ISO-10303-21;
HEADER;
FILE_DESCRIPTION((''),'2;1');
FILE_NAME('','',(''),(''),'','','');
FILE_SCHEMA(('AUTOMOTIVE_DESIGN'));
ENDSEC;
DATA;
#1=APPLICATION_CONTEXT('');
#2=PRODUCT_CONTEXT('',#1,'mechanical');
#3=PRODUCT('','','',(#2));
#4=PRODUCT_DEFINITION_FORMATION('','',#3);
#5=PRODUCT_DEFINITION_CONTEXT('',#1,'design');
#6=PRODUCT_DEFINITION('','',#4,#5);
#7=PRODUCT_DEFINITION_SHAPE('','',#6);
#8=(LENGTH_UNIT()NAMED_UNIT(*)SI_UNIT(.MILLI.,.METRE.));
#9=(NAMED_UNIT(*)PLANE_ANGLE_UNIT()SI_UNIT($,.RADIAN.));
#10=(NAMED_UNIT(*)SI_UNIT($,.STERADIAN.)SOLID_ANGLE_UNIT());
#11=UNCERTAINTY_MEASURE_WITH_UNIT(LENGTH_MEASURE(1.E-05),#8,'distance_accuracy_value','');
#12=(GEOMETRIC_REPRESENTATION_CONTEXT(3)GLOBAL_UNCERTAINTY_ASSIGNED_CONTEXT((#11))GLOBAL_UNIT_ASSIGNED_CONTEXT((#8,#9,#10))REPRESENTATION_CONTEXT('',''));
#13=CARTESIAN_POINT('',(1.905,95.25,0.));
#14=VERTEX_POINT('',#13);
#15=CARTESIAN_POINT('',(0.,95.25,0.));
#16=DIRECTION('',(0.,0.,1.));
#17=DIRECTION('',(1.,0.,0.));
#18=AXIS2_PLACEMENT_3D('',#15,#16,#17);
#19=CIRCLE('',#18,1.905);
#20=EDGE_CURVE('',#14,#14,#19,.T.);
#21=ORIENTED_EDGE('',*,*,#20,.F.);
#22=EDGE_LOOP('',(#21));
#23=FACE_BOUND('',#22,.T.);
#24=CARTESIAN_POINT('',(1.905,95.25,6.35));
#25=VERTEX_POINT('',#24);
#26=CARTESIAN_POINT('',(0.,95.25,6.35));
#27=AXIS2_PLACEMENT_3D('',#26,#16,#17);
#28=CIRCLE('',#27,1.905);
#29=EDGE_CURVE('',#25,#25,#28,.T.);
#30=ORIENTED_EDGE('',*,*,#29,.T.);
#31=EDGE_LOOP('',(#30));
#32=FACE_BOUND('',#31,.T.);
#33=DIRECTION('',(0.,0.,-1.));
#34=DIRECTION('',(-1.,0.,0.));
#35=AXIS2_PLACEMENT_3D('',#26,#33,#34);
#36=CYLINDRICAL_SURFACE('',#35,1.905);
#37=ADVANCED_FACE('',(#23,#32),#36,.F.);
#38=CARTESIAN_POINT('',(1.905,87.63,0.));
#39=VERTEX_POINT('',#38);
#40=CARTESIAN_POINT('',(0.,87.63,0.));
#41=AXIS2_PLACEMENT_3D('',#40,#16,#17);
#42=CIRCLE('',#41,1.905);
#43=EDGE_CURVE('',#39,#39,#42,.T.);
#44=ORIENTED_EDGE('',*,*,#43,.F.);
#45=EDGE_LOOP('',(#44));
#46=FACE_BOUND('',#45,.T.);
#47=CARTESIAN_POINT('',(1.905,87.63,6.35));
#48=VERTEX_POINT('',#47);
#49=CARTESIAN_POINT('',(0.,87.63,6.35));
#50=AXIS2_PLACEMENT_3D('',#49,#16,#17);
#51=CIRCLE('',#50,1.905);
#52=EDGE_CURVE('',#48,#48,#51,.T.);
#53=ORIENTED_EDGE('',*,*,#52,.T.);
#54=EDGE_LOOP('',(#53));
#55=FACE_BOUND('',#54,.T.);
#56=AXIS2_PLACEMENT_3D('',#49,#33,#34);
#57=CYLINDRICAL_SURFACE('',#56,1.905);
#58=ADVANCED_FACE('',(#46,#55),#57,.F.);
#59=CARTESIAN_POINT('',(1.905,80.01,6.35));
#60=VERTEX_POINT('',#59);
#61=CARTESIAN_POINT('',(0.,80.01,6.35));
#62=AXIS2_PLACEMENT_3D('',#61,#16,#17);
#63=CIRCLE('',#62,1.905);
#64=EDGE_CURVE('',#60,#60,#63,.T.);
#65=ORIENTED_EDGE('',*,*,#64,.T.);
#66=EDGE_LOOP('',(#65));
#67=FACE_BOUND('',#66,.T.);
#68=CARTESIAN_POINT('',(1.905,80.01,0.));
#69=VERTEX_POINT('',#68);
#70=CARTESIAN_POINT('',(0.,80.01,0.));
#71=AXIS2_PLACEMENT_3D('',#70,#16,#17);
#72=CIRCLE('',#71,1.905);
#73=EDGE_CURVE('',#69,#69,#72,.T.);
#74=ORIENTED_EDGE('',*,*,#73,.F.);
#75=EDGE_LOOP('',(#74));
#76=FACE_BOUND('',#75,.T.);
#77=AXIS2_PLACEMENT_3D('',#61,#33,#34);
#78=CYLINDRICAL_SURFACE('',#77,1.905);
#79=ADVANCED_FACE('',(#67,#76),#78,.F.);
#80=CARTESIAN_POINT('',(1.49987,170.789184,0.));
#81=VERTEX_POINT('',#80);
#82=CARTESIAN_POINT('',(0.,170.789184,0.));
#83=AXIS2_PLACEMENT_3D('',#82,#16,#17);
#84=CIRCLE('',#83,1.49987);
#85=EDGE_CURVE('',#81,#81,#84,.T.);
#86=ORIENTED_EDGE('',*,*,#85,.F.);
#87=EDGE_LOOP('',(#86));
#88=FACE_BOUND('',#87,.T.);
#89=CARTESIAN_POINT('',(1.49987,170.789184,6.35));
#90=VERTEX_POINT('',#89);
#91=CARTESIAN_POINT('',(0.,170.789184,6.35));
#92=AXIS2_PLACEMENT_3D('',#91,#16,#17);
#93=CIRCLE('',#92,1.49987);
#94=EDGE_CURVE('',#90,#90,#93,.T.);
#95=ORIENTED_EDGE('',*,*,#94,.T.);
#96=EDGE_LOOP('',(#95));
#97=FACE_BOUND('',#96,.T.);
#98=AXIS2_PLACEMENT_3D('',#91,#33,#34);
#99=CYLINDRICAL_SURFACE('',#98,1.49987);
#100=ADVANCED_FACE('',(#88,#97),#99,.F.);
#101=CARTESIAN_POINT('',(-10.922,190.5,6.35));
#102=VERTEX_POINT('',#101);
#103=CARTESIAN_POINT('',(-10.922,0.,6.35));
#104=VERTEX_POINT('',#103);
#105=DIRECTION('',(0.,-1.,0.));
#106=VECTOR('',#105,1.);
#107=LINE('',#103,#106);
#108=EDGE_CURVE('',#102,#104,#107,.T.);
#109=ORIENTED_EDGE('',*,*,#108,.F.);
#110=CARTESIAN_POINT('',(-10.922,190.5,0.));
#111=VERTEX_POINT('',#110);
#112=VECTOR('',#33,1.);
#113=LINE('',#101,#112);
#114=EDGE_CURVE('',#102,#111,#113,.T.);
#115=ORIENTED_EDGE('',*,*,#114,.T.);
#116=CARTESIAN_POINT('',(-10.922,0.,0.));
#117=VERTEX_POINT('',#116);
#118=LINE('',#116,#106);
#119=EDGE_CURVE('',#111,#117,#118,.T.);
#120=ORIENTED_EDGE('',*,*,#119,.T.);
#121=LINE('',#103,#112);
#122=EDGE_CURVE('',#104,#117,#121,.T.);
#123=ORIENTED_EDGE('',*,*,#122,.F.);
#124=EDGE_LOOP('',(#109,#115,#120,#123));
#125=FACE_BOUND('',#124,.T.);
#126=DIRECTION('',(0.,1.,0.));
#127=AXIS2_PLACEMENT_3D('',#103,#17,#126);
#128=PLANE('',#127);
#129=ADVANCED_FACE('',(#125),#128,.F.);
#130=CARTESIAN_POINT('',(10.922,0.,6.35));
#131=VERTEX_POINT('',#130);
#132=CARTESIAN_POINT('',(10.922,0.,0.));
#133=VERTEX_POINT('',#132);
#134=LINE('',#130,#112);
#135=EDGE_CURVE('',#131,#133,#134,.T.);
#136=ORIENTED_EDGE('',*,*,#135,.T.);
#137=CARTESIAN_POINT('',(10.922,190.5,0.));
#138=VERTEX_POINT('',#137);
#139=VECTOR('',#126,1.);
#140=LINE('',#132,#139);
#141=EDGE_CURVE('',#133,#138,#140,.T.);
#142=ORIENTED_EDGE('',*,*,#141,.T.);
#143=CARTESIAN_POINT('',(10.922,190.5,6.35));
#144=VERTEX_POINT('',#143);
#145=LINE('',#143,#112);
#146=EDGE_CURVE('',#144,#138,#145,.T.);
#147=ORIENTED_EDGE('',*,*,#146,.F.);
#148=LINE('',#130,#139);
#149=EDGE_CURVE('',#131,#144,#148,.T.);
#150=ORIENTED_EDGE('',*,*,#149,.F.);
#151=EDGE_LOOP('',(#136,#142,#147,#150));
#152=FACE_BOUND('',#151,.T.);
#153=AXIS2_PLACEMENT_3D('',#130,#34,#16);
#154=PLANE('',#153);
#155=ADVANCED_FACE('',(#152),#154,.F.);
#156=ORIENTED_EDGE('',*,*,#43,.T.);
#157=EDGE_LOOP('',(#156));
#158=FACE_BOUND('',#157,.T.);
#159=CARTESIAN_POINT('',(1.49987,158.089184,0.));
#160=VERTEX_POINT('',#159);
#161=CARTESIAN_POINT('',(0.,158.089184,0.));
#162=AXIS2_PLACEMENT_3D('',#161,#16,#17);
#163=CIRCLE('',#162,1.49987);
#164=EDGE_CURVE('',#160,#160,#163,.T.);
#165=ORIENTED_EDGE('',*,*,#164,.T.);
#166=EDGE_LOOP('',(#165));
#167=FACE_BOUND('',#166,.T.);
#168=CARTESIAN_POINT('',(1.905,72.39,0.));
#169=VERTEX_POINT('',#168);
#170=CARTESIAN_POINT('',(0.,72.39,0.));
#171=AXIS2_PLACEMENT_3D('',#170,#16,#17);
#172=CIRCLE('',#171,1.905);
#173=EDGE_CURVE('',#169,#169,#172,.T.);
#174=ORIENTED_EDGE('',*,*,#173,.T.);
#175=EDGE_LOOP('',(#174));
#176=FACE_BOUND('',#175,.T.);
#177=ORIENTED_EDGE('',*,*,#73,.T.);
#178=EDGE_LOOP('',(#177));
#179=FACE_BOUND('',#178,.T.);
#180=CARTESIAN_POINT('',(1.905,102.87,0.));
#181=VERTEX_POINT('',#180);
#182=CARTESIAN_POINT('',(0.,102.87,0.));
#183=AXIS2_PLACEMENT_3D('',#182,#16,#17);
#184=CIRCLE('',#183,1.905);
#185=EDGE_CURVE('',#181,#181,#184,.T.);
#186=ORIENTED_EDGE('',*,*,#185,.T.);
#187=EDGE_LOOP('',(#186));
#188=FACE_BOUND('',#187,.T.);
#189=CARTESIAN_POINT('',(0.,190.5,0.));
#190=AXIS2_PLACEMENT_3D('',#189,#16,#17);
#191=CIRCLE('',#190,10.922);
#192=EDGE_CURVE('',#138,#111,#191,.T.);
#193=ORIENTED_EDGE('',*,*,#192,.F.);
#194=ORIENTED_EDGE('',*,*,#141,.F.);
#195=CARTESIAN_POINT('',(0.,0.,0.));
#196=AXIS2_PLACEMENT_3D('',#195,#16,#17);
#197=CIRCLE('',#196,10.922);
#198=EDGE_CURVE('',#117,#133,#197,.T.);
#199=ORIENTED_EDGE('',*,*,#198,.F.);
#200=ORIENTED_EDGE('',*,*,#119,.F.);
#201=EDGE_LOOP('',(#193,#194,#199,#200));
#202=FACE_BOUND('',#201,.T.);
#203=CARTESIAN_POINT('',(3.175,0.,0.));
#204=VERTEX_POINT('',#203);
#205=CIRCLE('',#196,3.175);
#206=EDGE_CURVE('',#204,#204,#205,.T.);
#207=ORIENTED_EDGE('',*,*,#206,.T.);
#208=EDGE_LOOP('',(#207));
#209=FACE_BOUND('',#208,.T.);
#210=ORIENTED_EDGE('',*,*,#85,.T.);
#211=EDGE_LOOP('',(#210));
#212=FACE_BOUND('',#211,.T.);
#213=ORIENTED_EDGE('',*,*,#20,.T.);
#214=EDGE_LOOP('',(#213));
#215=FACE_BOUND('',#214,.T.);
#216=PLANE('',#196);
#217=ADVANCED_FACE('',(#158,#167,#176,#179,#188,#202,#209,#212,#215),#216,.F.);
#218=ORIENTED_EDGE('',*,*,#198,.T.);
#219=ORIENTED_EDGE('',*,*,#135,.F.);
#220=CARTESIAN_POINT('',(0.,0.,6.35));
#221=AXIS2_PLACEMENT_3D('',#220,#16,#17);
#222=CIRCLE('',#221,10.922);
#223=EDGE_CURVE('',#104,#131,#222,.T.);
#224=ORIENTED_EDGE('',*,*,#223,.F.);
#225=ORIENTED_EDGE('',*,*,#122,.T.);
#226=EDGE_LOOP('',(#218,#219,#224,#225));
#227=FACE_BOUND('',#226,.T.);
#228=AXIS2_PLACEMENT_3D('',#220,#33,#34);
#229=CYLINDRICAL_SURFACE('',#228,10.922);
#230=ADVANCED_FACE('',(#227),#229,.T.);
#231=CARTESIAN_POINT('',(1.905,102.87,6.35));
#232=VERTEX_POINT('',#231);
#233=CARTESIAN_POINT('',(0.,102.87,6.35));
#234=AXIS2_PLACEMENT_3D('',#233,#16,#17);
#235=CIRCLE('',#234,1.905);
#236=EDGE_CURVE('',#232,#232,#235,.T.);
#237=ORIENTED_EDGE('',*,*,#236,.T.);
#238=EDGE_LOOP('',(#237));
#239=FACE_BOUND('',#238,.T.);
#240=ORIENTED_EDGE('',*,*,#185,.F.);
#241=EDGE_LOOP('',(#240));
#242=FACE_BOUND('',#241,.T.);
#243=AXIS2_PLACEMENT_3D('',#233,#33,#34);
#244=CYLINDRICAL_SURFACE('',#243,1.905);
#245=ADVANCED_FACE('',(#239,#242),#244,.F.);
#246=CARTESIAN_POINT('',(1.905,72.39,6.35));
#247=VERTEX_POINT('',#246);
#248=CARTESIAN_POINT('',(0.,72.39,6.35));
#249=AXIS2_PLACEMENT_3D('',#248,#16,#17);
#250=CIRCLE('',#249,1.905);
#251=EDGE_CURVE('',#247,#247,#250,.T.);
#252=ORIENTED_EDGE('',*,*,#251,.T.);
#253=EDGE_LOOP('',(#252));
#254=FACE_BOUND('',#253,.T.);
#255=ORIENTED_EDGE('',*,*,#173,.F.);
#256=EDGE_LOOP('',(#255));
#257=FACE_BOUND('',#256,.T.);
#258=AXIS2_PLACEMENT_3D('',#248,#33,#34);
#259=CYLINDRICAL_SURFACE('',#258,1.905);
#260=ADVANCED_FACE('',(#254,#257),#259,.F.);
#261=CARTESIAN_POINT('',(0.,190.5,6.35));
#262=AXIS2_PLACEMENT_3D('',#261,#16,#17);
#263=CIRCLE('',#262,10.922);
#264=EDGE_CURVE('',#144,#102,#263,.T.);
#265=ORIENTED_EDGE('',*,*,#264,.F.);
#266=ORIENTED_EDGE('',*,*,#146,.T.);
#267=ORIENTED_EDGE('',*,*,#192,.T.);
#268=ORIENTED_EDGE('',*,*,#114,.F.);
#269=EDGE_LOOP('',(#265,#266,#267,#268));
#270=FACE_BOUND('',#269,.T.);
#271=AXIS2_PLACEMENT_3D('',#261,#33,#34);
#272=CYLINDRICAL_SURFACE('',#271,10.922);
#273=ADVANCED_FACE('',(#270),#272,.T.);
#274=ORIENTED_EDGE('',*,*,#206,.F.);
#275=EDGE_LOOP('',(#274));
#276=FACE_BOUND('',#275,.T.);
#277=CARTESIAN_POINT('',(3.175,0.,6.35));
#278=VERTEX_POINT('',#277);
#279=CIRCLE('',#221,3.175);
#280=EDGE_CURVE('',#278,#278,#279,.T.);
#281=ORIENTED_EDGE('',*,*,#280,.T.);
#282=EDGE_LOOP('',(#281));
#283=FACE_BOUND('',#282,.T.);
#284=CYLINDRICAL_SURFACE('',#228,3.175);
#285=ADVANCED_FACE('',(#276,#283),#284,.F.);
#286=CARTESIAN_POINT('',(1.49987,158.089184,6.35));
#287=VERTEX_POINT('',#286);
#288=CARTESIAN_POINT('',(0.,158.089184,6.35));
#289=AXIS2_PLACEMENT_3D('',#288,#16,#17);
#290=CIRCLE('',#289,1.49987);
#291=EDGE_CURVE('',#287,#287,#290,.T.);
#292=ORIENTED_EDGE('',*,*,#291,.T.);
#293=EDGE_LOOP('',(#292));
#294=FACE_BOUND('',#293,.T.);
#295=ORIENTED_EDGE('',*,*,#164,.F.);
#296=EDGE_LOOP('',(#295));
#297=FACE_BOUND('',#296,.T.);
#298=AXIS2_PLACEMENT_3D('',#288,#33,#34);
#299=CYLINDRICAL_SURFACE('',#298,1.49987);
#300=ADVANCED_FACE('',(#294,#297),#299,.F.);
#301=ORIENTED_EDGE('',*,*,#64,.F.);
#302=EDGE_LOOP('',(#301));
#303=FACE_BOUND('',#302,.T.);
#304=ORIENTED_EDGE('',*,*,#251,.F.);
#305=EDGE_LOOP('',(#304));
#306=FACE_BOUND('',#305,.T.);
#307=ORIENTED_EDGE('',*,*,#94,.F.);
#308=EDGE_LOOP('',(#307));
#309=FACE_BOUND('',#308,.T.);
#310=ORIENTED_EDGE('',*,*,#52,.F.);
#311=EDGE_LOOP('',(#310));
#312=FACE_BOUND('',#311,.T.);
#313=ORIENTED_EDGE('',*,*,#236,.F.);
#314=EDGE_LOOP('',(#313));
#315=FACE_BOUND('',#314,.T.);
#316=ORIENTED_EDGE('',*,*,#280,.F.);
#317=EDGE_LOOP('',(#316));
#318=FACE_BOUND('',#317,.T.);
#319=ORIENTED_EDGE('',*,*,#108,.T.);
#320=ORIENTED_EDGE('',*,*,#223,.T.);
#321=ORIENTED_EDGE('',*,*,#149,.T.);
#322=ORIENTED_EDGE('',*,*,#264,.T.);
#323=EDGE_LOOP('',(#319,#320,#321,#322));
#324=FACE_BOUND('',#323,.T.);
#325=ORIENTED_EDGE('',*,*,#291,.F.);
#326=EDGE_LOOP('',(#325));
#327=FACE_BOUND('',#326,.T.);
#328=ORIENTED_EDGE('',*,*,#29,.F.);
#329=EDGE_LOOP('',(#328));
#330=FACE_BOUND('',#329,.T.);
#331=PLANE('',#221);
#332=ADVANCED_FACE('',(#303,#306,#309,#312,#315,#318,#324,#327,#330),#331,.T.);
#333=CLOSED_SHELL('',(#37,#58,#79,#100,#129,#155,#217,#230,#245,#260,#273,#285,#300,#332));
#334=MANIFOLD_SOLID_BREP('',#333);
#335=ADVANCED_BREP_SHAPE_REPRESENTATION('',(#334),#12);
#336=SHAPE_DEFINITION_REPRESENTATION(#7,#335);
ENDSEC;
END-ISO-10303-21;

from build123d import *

# Parameters (mm, degrees)
SKETCH1_R           = 3.175
SKETCH1_R_2         = 1.905
SKETCH1_R_3         = 1.49987
BOSS_EXTRUDE1_DEPTH = 6.35


with BuildPart() as part:
    # Sketch1 → Boss-Extrude1 (new body)
    with BuildSketch(Plane.XY):
        with BuildLine():
            Line((-10.922, 0), (-10.922, 190.5))
            ThreePointArc((-10.922, 190.5), (0, 201.422), (10.922, 190.5))
            Line((10.922, 190.5), (10.922, 0))
            ThreePointArc((10.922, 0), (0, -10.922), (-10.922, 0))
        make_face()
        Circle(SKETCH1_R, mode=Mode.SUBTRACT)
        with Locations((0, 95.25)):
            Circle(SKETCH1_R_2, mode=Mode.SUBTRACT)
        with Locations((0, 87.63)):
            Circle(SKETCH1_R_2, mode=Mode.SUBTRACT)
        with Locations((0, 80.01)):
            Circle(SKETCH1_R_2, mode=Mode.SUBTRACT)
        with Locations((0, 72.39)):
            Circle(SKETCH1_R_2, mode=Mode.SUBTRACT)
        with Locations((0, 102.87)):
            Circle(SKETCH1_R_2, mode=Mode.SUBTRACT)
        with Locations((0, 170.789184136)):
            Circle(SKETCH1_R_3, mode=Mode.SUBTRACT)
        with Locations((0, 158.089184136)):
            Circle(SKETCH1_R_3, mode=Mode.SUBTRACT)
    extrude(amount=BOSS_EXTRUDE1_DEPTH)


solid = part.part
